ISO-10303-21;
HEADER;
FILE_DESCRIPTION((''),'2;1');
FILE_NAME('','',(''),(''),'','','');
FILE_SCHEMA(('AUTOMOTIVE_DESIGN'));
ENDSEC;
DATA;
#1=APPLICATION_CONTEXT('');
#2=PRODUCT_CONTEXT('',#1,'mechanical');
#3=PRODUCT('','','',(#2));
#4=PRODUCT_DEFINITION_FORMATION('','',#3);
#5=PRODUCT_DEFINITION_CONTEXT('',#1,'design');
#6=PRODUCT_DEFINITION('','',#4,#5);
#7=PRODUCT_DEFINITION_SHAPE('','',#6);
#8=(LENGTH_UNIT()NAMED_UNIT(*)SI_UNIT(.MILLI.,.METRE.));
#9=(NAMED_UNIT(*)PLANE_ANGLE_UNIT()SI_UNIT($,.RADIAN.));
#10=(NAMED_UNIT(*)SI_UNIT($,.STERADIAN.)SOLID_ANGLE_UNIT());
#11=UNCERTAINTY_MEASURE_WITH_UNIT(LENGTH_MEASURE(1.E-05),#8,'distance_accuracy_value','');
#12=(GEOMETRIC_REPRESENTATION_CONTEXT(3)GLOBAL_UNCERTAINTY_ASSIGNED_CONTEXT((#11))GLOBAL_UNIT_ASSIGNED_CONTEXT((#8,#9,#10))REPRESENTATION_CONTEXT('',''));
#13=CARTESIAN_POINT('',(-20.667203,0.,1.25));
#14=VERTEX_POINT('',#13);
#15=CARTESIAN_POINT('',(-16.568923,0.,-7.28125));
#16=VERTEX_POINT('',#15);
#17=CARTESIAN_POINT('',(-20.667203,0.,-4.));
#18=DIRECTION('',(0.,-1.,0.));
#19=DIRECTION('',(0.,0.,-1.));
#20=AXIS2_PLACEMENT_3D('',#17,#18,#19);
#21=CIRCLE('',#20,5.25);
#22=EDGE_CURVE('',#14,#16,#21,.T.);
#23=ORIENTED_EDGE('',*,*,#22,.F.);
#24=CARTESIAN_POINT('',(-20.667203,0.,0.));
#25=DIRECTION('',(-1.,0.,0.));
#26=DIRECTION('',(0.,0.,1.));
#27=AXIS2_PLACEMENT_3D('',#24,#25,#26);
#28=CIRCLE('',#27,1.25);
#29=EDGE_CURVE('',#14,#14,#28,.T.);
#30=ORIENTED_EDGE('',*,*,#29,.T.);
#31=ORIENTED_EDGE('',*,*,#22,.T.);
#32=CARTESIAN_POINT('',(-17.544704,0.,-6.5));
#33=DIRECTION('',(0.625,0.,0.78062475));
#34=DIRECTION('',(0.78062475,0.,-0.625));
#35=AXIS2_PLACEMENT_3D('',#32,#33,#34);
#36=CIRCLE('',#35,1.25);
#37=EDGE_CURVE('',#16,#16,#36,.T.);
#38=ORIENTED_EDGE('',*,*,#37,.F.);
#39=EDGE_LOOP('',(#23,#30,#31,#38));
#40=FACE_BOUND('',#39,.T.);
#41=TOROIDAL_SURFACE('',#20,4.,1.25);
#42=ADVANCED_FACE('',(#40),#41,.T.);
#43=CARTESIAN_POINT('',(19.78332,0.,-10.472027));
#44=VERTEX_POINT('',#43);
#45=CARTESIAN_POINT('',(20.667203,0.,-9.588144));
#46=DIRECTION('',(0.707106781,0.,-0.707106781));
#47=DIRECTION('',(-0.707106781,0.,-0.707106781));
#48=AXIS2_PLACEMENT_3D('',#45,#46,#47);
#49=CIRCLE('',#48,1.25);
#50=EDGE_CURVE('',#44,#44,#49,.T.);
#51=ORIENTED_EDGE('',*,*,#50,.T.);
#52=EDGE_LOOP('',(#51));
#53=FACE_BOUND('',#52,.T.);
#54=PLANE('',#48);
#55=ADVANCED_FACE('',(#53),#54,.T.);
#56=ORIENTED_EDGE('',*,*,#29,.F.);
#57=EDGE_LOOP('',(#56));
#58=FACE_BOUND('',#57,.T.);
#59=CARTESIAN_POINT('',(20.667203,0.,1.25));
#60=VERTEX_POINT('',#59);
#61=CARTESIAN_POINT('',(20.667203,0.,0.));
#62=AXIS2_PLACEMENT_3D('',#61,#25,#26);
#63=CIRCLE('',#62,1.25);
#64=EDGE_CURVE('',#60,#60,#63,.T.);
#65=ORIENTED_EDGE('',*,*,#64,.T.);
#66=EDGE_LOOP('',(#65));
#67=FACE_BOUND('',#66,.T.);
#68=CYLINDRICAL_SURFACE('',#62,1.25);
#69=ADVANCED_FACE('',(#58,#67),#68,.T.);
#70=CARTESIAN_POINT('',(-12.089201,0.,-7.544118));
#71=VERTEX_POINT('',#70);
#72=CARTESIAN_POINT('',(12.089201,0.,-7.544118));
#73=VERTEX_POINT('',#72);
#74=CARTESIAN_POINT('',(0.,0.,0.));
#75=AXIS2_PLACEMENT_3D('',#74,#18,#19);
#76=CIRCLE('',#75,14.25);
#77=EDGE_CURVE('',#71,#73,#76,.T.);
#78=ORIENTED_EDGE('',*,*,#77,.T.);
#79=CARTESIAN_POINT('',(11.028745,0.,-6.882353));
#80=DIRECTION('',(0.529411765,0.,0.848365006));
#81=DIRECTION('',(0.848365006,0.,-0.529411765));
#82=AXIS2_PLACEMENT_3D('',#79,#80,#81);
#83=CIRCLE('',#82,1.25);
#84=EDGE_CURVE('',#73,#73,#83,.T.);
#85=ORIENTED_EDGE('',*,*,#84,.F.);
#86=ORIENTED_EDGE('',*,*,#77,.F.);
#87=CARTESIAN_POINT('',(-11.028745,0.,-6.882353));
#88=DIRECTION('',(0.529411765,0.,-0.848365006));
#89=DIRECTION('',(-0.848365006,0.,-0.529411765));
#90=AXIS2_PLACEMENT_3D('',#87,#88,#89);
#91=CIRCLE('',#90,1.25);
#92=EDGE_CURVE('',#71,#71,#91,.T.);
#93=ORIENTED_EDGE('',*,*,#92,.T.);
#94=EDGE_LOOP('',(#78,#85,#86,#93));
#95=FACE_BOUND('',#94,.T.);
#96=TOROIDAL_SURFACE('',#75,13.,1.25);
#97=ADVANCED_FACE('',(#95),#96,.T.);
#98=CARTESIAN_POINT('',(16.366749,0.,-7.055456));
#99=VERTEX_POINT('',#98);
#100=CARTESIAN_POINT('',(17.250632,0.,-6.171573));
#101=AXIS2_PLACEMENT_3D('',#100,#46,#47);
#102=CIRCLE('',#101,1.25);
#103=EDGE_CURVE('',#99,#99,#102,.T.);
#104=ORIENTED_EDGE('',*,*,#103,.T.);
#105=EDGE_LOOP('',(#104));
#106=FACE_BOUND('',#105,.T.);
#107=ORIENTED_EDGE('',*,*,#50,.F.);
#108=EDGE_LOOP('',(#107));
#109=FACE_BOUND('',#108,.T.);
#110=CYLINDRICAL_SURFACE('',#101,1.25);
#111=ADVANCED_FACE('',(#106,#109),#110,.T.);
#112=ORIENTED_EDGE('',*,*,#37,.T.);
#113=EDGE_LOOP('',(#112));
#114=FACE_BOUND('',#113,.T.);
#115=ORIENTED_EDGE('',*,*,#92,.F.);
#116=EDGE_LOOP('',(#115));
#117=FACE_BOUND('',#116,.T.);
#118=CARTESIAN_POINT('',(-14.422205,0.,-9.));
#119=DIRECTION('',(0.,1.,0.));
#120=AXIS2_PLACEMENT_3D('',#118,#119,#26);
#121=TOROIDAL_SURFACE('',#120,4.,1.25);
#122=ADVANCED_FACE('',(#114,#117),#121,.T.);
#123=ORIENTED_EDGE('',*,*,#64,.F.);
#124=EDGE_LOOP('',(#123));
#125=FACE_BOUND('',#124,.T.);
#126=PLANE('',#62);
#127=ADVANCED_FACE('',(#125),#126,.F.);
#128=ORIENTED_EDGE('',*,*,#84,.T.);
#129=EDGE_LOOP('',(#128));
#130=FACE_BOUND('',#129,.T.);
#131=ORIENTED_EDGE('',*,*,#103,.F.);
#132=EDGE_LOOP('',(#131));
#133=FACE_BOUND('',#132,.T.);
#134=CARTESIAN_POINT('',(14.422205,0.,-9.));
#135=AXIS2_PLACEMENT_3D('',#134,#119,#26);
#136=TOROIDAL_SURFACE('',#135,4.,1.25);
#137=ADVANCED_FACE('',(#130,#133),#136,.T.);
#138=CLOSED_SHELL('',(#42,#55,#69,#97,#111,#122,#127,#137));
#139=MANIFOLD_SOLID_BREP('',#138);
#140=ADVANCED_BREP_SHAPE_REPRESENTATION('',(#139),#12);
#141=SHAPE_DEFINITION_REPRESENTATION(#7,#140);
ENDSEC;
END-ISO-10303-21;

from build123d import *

# Parameters (mm, degrees)
SKETCH_2_R = 1.25


with BuildPart() as part:
    # По траектории1: sweep along a path in Эскиз1
    with BuildLine(Plane(origin=(0, 0, 0), x_dir=(1, 0, 0), z_dir=(0, 1, 0))) as sweep_1_path:
        Line((20.6672031, 0), (-20.6672031, 0))
        ThreePointArc((-20.6672031, 0), (-24.272754376, 5.732050808), (-17.544704101, 6.5))
        ThreePointArc((-17.544704101, 6.5), (-14.18789033, 5.006868824), (-11.028745078, 6.882352941))
        ThreePointArc((-11.028745078, 6.882352941), (0, 13), (11.028745078, 6.882352941))
        ThreePointArc((11.028745078, 6.882352941), (13.968203318, 5.025848219), (17.250632227, 6.171572875))
        Line((17.250632227, 6.171572875), (20.6672031, 9.588143749))
    # Эскиз2 → По траектории1 (sweep)
    with BuildSketch(Plane.ZY.offset(-20.6672031)):
        Circle(SKETCH_2_R)
    sweep(path=sweep_1_path.line)


solid = part.part
